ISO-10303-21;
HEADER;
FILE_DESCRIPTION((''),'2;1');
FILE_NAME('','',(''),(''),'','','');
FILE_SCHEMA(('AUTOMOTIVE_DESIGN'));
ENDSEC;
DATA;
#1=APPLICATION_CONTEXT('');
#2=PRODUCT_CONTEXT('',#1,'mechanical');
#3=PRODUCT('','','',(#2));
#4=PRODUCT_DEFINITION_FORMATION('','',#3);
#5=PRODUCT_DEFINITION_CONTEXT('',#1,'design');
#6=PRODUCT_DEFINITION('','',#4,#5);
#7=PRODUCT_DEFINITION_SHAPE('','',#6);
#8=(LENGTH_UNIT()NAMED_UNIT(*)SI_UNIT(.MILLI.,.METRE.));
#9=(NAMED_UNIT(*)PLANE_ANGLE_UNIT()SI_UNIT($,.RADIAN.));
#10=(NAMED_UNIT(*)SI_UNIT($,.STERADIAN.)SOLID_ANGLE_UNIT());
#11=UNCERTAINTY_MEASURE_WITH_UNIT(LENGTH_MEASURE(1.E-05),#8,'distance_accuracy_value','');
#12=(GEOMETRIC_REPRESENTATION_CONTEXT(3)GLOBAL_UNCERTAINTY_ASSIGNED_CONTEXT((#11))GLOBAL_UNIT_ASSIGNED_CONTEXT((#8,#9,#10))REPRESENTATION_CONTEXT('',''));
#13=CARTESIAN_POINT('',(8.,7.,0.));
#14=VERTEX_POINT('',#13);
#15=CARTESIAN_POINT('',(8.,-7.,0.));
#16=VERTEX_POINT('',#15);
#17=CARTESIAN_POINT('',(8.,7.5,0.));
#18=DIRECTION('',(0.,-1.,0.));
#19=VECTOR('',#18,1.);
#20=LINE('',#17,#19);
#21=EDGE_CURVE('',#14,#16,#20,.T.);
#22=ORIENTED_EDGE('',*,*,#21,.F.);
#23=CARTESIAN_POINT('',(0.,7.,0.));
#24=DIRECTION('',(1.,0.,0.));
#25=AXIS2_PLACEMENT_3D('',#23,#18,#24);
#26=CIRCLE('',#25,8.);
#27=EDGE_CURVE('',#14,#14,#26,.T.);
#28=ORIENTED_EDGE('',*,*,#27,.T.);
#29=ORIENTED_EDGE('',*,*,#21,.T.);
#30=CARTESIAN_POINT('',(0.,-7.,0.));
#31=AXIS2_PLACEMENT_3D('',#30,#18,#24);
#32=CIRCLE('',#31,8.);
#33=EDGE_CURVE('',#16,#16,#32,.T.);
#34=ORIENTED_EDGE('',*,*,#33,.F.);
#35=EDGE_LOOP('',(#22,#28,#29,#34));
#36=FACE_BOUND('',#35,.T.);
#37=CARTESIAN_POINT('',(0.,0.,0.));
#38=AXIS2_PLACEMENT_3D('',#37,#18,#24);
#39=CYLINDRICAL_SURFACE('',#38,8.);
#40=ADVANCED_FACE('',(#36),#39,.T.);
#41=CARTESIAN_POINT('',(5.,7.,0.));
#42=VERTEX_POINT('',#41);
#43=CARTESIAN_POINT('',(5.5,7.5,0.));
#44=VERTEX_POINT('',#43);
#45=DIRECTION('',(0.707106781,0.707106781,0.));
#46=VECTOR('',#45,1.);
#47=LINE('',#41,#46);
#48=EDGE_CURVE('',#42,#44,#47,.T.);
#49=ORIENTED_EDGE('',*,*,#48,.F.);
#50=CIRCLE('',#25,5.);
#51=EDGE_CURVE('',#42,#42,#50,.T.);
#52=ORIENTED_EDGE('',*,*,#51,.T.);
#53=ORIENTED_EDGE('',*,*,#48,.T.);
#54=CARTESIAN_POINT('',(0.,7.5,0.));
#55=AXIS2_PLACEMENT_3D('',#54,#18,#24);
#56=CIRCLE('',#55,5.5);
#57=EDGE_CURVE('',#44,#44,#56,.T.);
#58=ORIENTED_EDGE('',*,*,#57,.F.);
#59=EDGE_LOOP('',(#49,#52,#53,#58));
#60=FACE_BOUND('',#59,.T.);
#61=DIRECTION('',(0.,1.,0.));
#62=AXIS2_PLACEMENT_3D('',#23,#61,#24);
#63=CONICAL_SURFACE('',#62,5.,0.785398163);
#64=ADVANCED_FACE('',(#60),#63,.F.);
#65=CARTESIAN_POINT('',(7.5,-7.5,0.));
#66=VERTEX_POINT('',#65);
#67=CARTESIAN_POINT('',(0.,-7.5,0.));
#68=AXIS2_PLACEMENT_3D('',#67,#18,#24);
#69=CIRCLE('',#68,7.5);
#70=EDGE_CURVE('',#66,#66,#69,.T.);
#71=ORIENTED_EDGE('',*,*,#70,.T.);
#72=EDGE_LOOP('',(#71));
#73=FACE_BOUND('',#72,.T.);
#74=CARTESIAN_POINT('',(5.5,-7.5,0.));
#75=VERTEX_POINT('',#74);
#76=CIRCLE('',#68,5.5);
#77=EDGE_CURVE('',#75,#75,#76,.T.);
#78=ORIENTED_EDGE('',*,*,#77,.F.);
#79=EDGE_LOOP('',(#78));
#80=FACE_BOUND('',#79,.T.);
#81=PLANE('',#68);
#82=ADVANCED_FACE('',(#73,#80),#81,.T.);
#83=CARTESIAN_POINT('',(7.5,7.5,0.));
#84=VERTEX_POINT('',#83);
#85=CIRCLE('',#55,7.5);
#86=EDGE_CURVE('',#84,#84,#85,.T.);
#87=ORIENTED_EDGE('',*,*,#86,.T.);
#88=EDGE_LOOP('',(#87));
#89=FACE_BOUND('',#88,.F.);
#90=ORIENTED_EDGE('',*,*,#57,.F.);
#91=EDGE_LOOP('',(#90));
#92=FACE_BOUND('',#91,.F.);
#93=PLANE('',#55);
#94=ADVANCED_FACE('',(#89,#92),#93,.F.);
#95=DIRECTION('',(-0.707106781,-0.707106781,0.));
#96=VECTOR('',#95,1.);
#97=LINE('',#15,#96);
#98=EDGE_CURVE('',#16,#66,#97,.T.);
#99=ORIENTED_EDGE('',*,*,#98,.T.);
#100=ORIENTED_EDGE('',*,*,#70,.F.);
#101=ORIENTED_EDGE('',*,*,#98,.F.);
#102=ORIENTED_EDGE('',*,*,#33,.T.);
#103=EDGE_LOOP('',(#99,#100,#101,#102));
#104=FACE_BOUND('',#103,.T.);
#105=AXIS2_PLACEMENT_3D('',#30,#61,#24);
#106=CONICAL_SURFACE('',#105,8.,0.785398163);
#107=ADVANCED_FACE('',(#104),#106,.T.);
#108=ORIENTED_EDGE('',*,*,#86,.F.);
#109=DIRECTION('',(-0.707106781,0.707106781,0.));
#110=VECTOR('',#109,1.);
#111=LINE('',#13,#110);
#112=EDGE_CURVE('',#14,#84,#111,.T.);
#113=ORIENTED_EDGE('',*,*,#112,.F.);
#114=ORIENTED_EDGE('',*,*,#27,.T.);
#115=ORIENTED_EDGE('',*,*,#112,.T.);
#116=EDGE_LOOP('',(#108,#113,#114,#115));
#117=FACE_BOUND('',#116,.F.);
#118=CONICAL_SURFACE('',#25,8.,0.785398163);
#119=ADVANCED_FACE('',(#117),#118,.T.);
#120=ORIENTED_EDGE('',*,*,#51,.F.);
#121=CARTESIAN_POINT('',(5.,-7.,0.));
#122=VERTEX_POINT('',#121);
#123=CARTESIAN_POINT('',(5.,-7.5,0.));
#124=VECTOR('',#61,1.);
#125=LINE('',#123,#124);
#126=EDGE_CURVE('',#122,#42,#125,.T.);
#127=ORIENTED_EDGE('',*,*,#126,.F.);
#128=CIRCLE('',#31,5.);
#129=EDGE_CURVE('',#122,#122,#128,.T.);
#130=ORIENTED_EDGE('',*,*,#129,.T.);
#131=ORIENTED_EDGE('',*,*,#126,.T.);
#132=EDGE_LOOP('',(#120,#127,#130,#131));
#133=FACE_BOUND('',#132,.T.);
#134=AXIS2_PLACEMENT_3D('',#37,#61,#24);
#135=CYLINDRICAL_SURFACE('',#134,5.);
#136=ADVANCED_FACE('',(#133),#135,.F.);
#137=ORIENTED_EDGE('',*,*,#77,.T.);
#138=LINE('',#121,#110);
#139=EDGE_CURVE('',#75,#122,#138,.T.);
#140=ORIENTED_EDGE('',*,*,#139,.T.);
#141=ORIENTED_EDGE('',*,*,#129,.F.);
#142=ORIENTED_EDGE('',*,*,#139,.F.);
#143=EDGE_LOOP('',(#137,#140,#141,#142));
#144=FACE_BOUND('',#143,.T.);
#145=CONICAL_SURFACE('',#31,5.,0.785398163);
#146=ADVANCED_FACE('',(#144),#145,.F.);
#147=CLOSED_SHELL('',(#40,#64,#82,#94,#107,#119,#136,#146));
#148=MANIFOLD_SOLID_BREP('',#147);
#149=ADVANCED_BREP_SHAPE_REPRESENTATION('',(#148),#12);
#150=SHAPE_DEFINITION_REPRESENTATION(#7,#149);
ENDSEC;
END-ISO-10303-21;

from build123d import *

# Parameters (mm, degrees)
F0_R     = 8
F0_R_2   = 5
F1_DEPTH = 7.5
F2_SIZE  = 0.5


with BuildPart() as f1:
    # F0 (on Front) → F1 (new body, symmetric)
    with BuildSketch(Plane.XZ):
        Circle(F0_R)
        Circle(F0_R_2, mode=Mode.SUBTRACT)
    extrude(amount=F1_DEPTH, both=True)

    # F2
    f2_edges = [f1.edges().sort_by_distance(p)[0] for p in [
        (-5, -7.5, 0),
        (5, 0, 0),
        (-5, 7.5, 0),
        (-8, 7.5, 0),
        (8, 0, 0),
        (-8, -7.5, 0),
    ]]
    chamfer(f2_edges, length=F2_SIZE)


solid = f1.part
